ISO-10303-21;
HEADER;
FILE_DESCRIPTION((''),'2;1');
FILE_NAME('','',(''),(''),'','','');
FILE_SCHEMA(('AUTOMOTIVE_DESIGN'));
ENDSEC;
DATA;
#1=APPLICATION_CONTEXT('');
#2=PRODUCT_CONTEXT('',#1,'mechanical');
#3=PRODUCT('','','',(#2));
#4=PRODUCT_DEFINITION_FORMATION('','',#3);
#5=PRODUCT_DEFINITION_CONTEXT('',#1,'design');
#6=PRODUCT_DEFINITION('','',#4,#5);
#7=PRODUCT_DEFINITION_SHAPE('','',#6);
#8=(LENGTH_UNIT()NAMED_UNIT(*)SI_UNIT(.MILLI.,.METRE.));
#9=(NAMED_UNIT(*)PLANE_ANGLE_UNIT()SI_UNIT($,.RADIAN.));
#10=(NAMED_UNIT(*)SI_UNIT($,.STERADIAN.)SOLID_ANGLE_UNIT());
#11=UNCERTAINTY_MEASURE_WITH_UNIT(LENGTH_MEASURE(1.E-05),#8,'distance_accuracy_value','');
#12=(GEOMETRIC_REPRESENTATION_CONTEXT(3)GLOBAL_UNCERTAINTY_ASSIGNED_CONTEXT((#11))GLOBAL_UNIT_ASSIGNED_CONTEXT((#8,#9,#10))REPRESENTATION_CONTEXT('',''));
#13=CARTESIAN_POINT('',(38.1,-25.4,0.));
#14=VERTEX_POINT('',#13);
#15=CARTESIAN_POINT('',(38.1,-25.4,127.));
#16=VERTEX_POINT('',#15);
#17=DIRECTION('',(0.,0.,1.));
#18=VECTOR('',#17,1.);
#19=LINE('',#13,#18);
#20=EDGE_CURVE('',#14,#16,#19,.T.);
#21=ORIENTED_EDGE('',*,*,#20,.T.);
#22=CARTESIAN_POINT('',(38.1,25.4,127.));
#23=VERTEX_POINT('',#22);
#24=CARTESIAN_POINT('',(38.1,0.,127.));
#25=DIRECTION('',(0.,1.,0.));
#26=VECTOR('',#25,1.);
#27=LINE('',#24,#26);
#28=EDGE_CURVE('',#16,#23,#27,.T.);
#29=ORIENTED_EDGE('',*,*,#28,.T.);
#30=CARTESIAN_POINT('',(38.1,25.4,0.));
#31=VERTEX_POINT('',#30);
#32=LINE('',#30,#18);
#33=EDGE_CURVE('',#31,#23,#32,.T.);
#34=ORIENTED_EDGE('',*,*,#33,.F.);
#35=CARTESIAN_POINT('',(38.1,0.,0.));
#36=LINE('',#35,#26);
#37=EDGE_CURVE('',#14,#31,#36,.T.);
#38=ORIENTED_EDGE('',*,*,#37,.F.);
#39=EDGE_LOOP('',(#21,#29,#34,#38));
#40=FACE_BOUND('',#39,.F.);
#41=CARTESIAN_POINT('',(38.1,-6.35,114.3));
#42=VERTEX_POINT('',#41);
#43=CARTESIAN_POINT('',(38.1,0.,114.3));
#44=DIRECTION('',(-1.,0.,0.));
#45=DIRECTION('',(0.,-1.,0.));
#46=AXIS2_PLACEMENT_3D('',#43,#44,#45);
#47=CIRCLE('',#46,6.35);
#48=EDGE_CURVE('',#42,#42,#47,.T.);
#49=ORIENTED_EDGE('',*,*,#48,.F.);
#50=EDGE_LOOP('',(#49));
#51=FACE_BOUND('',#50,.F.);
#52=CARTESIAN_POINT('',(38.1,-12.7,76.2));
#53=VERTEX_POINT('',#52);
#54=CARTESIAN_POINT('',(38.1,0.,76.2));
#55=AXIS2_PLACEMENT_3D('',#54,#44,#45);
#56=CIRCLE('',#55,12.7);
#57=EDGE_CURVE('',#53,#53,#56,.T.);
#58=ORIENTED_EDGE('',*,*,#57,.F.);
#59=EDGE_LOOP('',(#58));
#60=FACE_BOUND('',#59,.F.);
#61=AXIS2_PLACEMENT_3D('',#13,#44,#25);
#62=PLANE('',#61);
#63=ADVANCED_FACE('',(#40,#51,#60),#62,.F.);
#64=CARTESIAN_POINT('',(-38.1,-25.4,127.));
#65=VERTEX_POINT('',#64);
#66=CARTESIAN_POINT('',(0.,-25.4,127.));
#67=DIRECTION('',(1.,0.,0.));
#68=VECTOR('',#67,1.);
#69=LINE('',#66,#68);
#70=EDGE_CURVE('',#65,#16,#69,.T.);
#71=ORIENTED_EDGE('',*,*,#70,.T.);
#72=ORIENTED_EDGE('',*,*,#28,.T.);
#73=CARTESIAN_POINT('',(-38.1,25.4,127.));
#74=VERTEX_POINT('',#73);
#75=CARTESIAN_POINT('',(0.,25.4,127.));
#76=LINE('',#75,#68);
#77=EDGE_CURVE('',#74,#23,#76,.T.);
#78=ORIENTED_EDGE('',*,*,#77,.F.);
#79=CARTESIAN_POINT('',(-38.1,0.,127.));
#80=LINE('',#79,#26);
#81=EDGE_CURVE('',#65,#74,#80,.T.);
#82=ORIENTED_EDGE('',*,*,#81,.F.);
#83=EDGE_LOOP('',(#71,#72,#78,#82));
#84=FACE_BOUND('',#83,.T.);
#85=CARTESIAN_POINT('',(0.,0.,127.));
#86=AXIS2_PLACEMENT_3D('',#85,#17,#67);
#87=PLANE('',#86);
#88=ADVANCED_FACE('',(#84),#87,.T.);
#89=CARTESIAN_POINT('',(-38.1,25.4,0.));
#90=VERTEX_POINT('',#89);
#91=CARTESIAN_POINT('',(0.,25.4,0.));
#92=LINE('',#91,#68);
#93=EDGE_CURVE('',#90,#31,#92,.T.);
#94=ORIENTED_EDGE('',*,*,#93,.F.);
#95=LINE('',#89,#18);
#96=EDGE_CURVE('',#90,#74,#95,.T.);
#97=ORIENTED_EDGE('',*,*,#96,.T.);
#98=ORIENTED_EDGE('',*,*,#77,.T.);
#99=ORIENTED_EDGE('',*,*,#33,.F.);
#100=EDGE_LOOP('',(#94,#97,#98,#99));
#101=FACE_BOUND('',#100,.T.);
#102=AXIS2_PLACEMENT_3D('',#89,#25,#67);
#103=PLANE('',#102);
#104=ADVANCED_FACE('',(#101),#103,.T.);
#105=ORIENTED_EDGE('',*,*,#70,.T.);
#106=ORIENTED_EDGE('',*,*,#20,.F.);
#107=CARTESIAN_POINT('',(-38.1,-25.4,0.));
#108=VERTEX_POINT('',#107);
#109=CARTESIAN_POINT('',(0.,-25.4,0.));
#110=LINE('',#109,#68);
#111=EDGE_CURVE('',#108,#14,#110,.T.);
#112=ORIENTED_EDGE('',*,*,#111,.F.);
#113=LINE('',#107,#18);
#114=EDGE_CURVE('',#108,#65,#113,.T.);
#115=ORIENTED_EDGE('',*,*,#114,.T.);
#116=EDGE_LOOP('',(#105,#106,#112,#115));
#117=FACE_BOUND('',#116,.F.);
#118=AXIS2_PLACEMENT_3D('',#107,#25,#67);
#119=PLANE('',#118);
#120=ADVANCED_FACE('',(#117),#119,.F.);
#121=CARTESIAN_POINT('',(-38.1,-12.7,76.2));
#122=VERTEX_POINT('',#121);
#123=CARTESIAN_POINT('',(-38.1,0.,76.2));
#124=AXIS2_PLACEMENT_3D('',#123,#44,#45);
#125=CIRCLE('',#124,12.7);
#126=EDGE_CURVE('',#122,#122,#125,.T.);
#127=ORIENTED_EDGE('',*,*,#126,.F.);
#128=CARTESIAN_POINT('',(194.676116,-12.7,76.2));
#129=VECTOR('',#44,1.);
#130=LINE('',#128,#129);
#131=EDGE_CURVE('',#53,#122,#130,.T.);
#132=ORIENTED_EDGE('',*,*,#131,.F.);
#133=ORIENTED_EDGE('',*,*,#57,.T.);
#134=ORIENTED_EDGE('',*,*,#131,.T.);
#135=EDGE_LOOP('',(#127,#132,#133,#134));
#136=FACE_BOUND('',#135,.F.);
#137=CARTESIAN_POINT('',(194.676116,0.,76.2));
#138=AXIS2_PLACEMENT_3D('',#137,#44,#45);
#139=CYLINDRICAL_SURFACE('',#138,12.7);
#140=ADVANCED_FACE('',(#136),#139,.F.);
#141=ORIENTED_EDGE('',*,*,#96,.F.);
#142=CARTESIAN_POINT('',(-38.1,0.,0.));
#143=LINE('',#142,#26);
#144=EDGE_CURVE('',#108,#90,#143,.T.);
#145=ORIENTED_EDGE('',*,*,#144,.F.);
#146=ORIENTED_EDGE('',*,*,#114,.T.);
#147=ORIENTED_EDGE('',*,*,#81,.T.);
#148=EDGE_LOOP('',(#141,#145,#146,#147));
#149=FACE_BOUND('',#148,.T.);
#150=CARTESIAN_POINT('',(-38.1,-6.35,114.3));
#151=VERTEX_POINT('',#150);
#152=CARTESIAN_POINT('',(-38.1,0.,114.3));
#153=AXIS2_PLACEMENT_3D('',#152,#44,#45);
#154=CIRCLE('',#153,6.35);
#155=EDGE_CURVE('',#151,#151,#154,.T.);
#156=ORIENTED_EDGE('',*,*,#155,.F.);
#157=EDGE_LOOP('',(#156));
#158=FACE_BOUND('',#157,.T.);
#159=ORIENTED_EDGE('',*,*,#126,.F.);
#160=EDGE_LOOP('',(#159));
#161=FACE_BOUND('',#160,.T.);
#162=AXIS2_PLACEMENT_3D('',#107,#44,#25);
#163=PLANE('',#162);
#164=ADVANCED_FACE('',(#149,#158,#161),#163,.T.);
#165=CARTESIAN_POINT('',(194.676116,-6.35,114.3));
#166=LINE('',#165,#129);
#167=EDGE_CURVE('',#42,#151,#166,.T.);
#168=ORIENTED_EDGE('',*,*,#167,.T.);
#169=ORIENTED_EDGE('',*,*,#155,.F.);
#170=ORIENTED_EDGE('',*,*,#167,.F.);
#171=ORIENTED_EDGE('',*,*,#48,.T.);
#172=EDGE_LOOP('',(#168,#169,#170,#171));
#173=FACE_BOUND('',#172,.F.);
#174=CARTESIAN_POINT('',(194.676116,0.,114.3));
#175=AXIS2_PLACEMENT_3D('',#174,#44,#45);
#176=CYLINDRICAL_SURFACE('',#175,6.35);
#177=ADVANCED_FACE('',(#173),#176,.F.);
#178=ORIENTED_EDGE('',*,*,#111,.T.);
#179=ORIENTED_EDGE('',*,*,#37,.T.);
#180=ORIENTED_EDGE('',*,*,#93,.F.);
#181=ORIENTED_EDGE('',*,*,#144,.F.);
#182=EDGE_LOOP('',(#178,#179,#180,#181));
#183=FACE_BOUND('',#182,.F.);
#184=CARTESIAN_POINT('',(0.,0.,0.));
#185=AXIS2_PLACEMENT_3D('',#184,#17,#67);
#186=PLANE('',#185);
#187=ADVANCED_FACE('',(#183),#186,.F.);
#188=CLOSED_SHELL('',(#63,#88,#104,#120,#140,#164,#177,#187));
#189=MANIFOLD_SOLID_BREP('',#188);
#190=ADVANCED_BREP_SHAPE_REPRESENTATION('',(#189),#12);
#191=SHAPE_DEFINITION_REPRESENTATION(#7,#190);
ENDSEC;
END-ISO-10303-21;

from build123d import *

# Parameters (mm, degrees)
F0_W     = 76.2
F0_H     = 50.8
F1_DEPTH = 127
F3_D     = 25.4
F5_D     = 12.7


with BuildPart() as f1:
    # F0 (on Top) → F1 (new body)
    with BuildSketch(Plane.XY):
        Rectangle(F0_W, F0_H)
    extrude(amount=F1_DEPTH)

    # F3 (through all)
    with Locations(Plane.YZ.offset(38.1)):
        with Locations((0, 76.2)):
            Hole(F3_D / 2)

    # F5 (through all)
    with Locations(Plane.YZ.offset(38.1)):
        with Locations((0, 114.3)):
            Hole(F5_D / 2)


solid = f1.part
